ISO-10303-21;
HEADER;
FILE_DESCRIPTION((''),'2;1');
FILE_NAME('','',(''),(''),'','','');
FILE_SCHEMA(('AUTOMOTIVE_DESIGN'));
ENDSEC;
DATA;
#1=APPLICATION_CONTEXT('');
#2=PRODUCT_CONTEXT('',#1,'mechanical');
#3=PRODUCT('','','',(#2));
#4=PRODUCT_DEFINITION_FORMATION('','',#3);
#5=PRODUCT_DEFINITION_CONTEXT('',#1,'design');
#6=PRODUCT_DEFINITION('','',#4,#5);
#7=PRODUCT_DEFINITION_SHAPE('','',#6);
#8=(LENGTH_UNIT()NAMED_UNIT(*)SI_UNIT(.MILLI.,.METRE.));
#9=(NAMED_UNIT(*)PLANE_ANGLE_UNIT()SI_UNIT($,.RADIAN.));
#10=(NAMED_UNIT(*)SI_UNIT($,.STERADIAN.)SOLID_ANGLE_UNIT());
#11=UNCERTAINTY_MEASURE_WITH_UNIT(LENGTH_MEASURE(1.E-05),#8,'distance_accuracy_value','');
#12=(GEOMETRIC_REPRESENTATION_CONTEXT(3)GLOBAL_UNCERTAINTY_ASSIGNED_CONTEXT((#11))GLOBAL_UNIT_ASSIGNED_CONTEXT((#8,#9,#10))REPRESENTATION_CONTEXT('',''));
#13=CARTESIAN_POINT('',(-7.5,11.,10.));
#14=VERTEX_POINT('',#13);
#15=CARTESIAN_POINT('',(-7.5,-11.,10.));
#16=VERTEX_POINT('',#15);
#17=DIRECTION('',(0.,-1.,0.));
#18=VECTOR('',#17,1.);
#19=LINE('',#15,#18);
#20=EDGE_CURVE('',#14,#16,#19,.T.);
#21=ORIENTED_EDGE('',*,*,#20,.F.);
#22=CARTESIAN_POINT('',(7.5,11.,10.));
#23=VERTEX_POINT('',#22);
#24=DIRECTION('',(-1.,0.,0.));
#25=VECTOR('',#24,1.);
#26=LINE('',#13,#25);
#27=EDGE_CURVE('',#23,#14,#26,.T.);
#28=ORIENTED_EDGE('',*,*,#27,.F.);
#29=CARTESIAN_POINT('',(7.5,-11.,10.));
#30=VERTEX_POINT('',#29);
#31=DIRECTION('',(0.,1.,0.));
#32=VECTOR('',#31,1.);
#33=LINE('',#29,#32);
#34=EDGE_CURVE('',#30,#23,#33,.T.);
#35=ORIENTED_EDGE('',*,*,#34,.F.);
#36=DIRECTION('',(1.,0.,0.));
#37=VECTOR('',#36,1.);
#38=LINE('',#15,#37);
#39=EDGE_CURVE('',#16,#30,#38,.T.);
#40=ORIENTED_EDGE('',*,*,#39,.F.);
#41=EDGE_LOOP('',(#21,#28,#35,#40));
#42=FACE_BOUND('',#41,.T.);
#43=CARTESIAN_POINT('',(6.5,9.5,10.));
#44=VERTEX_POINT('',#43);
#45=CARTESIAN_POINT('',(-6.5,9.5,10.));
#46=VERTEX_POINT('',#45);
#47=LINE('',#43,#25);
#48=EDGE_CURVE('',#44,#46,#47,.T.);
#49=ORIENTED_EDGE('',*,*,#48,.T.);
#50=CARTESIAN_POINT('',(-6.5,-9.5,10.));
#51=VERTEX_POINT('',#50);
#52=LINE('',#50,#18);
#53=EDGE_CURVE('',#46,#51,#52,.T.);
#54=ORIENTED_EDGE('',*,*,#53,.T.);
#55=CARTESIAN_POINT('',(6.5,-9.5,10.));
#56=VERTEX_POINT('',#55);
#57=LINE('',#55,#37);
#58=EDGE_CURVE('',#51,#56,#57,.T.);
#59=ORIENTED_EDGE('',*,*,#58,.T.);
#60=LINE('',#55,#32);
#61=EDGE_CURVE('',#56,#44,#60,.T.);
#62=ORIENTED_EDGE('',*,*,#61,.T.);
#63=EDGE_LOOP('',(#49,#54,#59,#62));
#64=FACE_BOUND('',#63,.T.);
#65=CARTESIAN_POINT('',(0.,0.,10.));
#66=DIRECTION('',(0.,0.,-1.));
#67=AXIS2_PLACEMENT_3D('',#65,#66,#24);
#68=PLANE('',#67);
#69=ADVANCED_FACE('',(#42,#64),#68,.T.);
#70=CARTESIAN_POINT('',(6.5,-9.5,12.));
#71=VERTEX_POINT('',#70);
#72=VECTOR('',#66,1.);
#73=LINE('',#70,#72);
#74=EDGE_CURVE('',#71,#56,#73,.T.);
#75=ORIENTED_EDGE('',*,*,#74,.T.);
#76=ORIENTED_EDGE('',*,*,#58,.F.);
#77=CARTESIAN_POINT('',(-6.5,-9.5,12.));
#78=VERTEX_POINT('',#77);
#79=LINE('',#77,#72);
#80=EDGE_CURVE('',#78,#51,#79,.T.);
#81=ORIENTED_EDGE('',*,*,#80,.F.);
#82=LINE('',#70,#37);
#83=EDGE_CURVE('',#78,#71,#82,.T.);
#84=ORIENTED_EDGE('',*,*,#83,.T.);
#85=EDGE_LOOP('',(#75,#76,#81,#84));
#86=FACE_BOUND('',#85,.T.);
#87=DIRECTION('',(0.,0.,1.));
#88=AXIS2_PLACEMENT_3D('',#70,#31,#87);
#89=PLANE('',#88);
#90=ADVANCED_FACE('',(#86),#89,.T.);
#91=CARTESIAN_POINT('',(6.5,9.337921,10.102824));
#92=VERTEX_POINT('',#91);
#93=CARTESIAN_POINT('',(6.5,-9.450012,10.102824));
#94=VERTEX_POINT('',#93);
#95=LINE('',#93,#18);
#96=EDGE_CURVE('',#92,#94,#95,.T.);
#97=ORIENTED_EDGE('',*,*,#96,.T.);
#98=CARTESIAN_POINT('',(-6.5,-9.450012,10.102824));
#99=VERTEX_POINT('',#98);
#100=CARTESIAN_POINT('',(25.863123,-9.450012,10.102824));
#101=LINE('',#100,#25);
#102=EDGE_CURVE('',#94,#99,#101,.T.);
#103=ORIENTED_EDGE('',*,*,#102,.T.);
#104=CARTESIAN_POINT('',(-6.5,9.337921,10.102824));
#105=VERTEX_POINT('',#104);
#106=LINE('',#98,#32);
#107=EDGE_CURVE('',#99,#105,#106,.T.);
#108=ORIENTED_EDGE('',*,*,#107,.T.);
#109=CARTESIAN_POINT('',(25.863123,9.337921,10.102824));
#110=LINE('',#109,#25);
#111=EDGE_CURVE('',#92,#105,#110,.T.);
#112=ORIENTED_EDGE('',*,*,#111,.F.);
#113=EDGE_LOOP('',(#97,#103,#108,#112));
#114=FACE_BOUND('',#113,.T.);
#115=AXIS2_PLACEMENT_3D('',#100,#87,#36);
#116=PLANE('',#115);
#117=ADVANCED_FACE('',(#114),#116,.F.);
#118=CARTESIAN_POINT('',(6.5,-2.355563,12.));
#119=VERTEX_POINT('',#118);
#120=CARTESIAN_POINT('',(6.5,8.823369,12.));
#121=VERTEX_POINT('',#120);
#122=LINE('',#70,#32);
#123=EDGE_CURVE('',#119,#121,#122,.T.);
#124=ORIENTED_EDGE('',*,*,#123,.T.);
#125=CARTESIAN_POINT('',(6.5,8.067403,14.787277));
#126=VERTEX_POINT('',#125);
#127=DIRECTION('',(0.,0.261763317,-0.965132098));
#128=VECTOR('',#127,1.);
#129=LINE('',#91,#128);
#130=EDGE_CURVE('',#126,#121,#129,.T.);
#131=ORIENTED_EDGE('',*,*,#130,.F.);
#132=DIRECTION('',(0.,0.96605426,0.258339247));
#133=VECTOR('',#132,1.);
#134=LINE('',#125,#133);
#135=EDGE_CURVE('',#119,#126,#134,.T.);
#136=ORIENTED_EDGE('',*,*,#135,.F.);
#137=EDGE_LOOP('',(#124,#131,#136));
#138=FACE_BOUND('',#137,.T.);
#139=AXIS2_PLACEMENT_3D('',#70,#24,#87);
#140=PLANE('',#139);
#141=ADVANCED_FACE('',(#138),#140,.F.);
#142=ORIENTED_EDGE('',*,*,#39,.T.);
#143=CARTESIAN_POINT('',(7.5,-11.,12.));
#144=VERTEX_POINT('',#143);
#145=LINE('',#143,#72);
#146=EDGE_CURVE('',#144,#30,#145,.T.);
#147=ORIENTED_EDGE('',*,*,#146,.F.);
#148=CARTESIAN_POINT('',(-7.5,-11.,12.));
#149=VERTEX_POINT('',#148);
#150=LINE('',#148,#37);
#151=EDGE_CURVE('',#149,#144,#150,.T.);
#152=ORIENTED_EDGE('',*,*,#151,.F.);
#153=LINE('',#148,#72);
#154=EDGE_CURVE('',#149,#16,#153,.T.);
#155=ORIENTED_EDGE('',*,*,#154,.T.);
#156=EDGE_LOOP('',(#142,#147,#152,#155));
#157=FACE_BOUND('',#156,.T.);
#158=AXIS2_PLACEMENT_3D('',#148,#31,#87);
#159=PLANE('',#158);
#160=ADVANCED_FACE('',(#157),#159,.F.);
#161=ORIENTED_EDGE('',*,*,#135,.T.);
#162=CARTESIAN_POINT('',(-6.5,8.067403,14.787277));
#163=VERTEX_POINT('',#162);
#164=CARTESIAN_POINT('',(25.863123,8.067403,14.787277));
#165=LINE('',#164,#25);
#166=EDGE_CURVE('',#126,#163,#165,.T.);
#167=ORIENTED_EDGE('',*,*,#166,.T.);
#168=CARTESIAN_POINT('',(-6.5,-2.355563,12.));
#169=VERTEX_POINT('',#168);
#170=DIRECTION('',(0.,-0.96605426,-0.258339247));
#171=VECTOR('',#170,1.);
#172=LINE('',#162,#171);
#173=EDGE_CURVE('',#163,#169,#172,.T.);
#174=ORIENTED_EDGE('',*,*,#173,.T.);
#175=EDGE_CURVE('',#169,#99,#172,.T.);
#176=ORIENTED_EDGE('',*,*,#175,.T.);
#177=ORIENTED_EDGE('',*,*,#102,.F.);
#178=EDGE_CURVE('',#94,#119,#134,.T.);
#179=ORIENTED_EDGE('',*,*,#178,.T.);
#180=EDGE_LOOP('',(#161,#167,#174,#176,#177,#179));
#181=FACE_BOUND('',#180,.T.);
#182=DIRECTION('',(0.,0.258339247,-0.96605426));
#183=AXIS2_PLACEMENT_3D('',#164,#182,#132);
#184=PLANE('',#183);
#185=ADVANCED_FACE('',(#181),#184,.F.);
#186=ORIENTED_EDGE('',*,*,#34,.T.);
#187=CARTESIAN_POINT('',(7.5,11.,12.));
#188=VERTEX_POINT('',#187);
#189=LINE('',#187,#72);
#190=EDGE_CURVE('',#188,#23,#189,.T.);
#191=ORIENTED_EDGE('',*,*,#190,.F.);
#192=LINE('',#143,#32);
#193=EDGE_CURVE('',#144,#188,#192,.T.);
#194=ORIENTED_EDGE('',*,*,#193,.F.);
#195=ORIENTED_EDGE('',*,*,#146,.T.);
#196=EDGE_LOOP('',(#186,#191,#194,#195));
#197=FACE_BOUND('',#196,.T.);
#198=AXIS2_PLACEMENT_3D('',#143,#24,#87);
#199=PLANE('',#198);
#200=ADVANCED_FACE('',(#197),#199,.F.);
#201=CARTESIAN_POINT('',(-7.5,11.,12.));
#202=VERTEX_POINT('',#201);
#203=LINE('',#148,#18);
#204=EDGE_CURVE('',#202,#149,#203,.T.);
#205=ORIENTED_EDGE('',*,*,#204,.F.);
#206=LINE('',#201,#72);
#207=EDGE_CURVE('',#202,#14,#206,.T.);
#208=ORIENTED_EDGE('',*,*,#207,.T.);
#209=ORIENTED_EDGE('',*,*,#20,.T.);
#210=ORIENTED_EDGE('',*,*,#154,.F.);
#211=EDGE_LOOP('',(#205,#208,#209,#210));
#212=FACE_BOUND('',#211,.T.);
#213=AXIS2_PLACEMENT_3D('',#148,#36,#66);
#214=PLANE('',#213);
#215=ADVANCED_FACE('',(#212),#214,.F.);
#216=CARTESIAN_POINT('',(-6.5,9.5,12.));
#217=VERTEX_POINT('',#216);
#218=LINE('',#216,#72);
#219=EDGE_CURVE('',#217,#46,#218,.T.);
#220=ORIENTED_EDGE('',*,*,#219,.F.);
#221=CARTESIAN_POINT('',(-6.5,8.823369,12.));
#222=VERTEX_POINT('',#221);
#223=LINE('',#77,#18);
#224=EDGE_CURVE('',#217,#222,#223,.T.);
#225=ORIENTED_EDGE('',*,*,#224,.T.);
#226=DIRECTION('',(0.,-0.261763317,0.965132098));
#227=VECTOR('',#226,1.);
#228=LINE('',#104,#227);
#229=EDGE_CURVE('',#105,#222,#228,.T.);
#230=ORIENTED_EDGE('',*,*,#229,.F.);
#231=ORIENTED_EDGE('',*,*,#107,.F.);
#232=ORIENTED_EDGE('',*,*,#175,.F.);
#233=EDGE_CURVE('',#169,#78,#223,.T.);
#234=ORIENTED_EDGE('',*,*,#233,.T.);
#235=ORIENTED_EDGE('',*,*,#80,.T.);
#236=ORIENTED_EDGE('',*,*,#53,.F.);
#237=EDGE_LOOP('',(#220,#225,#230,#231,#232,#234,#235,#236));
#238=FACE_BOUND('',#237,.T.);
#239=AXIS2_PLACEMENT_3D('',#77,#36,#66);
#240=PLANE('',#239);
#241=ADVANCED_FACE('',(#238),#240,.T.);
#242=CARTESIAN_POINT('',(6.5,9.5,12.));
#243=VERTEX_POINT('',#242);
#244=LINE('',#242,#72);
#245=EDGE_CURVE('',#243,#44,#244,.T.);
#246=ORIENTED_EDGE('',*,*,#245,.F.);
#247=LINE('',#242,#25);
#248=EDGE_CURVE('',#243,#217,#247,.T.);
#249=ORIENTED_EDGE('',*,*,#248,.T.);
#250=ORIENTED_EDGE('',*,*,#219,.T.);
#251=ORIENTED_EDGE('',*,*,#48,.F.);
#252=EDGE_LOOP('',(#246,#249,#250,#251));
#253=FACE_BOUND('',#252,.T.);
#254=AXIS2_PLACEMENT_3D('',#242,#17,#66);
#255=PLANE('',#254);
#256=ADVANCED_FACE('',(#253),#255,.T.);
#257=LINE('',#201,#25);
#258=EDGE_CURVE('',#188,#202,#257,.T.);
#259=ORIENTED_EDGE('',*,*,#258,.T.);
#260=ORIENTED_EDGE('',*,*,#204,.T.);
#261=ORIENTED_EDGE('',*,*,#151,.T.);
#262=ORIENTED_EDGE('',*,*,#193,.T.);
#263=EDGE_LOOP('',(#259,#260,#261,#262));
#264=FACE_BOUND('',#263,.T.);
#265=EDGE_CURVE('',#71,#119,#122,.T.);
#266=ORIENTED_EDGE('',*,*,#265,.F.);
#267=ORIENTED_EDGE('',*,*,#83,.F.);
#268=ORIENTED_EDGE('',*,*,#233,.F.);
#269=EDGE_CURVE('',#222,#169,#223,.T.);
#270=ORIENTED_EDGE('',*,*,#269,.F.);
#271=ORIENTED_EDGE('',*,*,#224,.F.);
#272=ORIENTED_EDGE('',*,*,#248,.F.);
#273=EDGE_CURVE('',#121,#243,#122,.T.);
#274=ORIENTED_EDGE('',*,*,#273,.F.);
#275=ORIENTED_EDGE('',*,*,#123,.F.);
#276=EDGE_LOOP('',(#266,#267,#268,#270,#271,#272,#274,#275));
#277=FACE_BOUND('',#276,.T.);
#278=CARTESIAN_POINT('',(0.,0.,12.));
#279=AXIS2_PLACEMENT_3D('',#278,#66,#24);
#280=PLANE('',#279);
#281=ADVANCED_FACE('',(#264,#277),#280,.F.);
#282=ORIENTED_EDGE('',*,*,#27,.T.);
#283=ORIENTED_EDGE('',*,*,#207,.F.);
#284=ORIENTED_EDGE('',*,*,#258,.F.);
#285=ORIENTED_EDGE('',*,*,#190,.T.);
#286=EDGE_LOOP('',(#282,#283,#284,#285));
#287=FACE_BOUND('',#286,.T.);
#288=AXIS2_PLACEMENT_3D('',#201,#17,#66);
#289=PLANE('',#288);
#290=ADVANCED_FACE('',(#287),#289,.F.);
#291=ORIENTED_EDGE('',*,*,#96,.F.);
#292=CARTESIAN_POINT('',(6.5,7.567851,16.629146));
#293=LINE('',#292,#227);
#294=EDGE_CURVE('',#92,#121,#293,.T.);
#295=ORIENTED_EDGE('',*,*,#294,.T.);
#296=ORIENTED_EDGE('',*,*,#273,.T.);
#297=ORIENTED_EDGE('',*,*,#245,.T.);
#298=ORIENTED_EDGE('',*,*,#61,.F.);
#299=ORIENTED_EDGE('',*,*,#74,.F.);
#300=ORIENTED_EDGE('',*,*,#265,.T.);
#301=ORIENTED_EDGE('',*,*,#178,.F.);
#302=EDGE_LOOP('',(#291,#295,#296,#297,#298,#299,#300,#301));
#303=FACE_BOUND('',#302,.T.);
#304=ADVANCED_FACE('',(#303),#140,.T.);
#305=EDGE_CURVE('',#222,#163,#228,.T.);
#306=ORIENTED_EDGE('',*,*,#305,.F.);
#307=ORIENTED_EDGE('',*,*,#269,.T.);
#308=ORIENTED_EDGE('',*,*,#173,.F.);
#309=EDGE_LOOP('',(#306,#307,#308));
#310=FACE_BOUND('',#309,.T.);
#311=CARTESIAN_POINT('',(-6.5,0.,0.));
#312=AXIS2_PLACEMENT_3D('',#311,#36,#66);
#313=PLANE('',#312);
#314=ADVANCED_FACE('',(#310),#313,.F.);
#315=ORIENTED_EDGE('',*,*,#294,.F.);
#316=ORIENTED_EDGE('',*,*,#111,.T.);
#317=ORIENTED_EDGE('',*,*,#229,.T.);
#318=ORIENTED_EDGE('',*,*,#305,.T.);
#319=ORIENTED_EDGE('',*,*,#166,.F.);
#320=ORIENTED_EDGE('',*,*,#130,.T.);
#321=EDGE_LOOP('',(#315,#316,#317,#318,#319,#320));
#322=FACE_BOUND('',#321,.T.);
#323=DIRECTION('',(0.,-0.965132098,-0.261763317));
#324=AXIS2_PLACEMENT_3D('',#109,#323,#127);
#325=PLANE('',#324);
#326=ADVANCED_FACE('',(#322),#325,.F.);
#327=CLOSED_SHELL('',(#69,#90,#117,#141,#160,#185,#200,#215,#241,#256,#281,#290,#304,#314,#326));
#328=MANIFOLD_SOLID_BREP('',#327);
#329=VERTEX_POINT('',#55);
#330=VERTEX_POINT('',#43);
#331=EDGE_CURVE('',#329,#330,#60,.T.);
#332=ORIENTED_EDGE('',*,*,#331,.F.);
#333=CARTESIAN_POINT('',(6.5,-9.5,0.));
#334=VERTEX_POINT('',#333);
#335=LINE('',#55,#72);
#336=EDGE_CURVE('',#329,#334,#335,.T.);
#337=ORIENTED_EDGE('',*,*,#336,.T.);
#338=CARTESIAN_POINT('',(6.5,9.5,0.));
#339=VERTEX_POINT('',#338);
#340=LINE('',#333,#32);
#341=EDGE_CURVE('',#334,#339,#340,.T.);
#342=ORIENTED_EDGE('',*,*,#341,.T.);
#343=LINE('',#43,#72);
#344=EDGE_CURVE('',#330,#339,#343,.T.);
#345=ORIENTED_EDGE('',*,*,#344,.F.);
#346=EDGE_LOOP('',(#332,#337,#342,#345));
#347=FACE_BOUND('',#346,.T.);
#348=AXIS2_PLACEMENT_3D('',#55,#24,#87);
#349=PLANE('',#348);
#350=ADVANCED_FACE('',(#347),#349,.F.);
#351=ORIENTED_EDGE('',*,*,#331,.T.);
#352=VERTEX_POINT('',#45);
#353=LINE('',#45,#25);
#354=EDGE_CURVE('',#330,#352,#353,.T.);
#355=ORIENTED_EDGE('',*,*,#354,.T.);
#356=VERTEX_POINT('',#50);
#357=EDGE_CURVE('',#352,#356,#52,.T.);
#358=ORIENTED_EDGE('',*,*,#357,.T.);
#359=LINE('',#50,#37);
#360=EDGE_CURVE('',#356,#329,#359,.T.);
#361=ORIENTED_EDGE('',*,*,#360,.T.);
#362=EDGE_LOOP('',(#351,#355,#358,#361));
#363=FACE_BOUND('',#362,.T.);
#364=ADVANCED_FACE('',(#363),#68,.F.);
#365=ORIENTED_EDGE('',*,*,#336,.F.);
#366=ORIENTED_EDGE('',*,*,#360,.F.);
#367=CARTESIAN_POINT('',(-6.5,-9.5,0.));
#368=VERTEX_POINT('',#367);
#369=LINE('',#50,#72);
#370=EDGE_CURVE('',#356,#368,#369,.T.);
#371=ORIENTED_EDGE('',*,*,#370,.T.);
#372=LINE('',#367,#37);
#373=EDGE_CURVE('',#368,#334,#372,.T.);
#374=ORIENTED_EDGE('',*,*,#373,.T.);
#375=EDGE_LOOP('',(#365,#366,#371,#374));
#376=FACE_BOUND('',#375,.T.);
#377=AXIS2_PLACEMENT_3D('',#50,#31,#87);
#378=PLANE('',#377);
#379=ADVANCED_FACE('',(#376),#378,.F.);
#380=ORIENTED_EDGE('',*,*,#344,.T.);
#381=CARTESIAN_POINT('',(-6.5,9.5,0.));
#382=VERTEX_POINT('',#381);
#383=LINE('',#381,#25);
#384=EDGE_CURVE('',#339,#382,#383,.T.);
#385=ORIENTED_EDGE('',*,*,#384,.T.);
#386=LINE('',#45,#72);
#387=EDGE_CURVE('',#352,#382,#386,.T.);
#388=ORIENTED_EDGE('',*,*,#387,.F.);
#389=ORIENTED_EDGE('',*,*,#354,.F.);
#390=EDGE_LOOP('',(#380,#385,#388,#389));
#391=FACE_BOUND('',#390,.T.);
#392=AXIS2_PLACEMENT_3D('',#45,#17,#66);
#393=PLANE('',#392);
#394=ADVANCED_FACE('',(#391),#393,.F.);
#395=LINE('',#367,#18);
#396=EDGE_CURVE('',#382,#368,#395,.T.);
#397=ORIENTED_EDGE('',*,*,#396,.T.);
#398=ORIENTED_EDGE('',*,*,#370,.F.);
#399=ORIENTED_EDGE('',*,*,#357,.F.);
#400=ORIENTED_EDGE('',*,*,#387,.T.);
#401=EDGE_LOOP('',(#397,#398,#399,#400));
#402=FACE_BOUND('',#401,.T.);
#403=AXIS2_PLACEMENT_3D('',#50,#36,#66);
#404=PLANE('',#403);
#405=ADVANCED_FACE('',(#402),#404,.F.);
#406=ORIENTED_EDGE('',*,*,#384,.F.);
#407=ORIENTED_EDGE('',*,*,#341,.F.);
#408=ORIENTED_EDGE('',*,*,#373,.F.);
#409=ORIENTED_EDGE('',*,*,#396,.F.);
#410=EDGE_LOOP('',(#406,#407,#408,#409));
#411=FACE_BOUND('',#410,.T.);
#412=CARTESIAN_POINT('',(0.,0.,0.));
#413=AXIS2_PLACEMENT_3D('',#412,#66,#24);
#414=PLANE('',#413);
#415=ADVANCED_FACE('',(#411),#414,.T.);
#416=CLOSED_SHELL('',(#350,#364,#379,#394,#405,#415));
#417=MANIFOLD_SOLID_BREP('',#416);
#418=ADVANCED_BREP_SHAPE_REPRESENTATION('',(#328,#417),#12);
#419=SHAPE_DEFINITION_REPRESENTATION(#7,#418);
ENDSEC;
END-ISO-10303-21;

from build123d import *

# Parameters (mm, degrees)
SKETCH1_W            = 13
SKETCH1_H            = 19
BOSS_EXTRUDE1_DEPTH  = 10
SKETCH2_W            = 15
SKETCH2_H            = 22
SKETCH2_W_2          = 13
SKETCH2_H_2          = 19
BOSS_EXTRUDE2_DEPTH  = 2
BOSS_EXTRUDE11_DEPTH = 13


with BuildPart() as part:
    # Sketch1 → Boss-Extrude1 (new body)
    with BuildSketch(Plane.XY):
        Rectangle(SKETCH1_W, SKETCH1_H)
    extrude(amount=BOSS_EXTRUDE1_DEPTH)


with BuildPart() as body_2:
    # Sketch2 → Boss-Extrude2 (new body)
    with BuildSketch(Plane.XY.offset(10)):
        Rectangle(SKETCH2_W, SKETCH2_H)
        Rectangle(SKETCH2_W_2, SKETCH2_H_2, mode=Mode.SUBTRACT)
    extrude(amount=BOSS_EXTRUDE2_DEPTH)

    # Sketch3 → Boss-Extrude11 (add)
    with BuildSketch(Plane(origin=(-6.5, 0, 0), x_dir=(0, 0, -1), z_dir=(1, 0, 0))):
        Polygon((-10.102824212, 9.337921341), (-14.787277325, 8.067403047), (-10.102824212, -9.450012288), align=None)
    extrude(amount=BOSS_EXTRUDE11_DEPTH)


solid = Compound([part.part, body_2.part])
